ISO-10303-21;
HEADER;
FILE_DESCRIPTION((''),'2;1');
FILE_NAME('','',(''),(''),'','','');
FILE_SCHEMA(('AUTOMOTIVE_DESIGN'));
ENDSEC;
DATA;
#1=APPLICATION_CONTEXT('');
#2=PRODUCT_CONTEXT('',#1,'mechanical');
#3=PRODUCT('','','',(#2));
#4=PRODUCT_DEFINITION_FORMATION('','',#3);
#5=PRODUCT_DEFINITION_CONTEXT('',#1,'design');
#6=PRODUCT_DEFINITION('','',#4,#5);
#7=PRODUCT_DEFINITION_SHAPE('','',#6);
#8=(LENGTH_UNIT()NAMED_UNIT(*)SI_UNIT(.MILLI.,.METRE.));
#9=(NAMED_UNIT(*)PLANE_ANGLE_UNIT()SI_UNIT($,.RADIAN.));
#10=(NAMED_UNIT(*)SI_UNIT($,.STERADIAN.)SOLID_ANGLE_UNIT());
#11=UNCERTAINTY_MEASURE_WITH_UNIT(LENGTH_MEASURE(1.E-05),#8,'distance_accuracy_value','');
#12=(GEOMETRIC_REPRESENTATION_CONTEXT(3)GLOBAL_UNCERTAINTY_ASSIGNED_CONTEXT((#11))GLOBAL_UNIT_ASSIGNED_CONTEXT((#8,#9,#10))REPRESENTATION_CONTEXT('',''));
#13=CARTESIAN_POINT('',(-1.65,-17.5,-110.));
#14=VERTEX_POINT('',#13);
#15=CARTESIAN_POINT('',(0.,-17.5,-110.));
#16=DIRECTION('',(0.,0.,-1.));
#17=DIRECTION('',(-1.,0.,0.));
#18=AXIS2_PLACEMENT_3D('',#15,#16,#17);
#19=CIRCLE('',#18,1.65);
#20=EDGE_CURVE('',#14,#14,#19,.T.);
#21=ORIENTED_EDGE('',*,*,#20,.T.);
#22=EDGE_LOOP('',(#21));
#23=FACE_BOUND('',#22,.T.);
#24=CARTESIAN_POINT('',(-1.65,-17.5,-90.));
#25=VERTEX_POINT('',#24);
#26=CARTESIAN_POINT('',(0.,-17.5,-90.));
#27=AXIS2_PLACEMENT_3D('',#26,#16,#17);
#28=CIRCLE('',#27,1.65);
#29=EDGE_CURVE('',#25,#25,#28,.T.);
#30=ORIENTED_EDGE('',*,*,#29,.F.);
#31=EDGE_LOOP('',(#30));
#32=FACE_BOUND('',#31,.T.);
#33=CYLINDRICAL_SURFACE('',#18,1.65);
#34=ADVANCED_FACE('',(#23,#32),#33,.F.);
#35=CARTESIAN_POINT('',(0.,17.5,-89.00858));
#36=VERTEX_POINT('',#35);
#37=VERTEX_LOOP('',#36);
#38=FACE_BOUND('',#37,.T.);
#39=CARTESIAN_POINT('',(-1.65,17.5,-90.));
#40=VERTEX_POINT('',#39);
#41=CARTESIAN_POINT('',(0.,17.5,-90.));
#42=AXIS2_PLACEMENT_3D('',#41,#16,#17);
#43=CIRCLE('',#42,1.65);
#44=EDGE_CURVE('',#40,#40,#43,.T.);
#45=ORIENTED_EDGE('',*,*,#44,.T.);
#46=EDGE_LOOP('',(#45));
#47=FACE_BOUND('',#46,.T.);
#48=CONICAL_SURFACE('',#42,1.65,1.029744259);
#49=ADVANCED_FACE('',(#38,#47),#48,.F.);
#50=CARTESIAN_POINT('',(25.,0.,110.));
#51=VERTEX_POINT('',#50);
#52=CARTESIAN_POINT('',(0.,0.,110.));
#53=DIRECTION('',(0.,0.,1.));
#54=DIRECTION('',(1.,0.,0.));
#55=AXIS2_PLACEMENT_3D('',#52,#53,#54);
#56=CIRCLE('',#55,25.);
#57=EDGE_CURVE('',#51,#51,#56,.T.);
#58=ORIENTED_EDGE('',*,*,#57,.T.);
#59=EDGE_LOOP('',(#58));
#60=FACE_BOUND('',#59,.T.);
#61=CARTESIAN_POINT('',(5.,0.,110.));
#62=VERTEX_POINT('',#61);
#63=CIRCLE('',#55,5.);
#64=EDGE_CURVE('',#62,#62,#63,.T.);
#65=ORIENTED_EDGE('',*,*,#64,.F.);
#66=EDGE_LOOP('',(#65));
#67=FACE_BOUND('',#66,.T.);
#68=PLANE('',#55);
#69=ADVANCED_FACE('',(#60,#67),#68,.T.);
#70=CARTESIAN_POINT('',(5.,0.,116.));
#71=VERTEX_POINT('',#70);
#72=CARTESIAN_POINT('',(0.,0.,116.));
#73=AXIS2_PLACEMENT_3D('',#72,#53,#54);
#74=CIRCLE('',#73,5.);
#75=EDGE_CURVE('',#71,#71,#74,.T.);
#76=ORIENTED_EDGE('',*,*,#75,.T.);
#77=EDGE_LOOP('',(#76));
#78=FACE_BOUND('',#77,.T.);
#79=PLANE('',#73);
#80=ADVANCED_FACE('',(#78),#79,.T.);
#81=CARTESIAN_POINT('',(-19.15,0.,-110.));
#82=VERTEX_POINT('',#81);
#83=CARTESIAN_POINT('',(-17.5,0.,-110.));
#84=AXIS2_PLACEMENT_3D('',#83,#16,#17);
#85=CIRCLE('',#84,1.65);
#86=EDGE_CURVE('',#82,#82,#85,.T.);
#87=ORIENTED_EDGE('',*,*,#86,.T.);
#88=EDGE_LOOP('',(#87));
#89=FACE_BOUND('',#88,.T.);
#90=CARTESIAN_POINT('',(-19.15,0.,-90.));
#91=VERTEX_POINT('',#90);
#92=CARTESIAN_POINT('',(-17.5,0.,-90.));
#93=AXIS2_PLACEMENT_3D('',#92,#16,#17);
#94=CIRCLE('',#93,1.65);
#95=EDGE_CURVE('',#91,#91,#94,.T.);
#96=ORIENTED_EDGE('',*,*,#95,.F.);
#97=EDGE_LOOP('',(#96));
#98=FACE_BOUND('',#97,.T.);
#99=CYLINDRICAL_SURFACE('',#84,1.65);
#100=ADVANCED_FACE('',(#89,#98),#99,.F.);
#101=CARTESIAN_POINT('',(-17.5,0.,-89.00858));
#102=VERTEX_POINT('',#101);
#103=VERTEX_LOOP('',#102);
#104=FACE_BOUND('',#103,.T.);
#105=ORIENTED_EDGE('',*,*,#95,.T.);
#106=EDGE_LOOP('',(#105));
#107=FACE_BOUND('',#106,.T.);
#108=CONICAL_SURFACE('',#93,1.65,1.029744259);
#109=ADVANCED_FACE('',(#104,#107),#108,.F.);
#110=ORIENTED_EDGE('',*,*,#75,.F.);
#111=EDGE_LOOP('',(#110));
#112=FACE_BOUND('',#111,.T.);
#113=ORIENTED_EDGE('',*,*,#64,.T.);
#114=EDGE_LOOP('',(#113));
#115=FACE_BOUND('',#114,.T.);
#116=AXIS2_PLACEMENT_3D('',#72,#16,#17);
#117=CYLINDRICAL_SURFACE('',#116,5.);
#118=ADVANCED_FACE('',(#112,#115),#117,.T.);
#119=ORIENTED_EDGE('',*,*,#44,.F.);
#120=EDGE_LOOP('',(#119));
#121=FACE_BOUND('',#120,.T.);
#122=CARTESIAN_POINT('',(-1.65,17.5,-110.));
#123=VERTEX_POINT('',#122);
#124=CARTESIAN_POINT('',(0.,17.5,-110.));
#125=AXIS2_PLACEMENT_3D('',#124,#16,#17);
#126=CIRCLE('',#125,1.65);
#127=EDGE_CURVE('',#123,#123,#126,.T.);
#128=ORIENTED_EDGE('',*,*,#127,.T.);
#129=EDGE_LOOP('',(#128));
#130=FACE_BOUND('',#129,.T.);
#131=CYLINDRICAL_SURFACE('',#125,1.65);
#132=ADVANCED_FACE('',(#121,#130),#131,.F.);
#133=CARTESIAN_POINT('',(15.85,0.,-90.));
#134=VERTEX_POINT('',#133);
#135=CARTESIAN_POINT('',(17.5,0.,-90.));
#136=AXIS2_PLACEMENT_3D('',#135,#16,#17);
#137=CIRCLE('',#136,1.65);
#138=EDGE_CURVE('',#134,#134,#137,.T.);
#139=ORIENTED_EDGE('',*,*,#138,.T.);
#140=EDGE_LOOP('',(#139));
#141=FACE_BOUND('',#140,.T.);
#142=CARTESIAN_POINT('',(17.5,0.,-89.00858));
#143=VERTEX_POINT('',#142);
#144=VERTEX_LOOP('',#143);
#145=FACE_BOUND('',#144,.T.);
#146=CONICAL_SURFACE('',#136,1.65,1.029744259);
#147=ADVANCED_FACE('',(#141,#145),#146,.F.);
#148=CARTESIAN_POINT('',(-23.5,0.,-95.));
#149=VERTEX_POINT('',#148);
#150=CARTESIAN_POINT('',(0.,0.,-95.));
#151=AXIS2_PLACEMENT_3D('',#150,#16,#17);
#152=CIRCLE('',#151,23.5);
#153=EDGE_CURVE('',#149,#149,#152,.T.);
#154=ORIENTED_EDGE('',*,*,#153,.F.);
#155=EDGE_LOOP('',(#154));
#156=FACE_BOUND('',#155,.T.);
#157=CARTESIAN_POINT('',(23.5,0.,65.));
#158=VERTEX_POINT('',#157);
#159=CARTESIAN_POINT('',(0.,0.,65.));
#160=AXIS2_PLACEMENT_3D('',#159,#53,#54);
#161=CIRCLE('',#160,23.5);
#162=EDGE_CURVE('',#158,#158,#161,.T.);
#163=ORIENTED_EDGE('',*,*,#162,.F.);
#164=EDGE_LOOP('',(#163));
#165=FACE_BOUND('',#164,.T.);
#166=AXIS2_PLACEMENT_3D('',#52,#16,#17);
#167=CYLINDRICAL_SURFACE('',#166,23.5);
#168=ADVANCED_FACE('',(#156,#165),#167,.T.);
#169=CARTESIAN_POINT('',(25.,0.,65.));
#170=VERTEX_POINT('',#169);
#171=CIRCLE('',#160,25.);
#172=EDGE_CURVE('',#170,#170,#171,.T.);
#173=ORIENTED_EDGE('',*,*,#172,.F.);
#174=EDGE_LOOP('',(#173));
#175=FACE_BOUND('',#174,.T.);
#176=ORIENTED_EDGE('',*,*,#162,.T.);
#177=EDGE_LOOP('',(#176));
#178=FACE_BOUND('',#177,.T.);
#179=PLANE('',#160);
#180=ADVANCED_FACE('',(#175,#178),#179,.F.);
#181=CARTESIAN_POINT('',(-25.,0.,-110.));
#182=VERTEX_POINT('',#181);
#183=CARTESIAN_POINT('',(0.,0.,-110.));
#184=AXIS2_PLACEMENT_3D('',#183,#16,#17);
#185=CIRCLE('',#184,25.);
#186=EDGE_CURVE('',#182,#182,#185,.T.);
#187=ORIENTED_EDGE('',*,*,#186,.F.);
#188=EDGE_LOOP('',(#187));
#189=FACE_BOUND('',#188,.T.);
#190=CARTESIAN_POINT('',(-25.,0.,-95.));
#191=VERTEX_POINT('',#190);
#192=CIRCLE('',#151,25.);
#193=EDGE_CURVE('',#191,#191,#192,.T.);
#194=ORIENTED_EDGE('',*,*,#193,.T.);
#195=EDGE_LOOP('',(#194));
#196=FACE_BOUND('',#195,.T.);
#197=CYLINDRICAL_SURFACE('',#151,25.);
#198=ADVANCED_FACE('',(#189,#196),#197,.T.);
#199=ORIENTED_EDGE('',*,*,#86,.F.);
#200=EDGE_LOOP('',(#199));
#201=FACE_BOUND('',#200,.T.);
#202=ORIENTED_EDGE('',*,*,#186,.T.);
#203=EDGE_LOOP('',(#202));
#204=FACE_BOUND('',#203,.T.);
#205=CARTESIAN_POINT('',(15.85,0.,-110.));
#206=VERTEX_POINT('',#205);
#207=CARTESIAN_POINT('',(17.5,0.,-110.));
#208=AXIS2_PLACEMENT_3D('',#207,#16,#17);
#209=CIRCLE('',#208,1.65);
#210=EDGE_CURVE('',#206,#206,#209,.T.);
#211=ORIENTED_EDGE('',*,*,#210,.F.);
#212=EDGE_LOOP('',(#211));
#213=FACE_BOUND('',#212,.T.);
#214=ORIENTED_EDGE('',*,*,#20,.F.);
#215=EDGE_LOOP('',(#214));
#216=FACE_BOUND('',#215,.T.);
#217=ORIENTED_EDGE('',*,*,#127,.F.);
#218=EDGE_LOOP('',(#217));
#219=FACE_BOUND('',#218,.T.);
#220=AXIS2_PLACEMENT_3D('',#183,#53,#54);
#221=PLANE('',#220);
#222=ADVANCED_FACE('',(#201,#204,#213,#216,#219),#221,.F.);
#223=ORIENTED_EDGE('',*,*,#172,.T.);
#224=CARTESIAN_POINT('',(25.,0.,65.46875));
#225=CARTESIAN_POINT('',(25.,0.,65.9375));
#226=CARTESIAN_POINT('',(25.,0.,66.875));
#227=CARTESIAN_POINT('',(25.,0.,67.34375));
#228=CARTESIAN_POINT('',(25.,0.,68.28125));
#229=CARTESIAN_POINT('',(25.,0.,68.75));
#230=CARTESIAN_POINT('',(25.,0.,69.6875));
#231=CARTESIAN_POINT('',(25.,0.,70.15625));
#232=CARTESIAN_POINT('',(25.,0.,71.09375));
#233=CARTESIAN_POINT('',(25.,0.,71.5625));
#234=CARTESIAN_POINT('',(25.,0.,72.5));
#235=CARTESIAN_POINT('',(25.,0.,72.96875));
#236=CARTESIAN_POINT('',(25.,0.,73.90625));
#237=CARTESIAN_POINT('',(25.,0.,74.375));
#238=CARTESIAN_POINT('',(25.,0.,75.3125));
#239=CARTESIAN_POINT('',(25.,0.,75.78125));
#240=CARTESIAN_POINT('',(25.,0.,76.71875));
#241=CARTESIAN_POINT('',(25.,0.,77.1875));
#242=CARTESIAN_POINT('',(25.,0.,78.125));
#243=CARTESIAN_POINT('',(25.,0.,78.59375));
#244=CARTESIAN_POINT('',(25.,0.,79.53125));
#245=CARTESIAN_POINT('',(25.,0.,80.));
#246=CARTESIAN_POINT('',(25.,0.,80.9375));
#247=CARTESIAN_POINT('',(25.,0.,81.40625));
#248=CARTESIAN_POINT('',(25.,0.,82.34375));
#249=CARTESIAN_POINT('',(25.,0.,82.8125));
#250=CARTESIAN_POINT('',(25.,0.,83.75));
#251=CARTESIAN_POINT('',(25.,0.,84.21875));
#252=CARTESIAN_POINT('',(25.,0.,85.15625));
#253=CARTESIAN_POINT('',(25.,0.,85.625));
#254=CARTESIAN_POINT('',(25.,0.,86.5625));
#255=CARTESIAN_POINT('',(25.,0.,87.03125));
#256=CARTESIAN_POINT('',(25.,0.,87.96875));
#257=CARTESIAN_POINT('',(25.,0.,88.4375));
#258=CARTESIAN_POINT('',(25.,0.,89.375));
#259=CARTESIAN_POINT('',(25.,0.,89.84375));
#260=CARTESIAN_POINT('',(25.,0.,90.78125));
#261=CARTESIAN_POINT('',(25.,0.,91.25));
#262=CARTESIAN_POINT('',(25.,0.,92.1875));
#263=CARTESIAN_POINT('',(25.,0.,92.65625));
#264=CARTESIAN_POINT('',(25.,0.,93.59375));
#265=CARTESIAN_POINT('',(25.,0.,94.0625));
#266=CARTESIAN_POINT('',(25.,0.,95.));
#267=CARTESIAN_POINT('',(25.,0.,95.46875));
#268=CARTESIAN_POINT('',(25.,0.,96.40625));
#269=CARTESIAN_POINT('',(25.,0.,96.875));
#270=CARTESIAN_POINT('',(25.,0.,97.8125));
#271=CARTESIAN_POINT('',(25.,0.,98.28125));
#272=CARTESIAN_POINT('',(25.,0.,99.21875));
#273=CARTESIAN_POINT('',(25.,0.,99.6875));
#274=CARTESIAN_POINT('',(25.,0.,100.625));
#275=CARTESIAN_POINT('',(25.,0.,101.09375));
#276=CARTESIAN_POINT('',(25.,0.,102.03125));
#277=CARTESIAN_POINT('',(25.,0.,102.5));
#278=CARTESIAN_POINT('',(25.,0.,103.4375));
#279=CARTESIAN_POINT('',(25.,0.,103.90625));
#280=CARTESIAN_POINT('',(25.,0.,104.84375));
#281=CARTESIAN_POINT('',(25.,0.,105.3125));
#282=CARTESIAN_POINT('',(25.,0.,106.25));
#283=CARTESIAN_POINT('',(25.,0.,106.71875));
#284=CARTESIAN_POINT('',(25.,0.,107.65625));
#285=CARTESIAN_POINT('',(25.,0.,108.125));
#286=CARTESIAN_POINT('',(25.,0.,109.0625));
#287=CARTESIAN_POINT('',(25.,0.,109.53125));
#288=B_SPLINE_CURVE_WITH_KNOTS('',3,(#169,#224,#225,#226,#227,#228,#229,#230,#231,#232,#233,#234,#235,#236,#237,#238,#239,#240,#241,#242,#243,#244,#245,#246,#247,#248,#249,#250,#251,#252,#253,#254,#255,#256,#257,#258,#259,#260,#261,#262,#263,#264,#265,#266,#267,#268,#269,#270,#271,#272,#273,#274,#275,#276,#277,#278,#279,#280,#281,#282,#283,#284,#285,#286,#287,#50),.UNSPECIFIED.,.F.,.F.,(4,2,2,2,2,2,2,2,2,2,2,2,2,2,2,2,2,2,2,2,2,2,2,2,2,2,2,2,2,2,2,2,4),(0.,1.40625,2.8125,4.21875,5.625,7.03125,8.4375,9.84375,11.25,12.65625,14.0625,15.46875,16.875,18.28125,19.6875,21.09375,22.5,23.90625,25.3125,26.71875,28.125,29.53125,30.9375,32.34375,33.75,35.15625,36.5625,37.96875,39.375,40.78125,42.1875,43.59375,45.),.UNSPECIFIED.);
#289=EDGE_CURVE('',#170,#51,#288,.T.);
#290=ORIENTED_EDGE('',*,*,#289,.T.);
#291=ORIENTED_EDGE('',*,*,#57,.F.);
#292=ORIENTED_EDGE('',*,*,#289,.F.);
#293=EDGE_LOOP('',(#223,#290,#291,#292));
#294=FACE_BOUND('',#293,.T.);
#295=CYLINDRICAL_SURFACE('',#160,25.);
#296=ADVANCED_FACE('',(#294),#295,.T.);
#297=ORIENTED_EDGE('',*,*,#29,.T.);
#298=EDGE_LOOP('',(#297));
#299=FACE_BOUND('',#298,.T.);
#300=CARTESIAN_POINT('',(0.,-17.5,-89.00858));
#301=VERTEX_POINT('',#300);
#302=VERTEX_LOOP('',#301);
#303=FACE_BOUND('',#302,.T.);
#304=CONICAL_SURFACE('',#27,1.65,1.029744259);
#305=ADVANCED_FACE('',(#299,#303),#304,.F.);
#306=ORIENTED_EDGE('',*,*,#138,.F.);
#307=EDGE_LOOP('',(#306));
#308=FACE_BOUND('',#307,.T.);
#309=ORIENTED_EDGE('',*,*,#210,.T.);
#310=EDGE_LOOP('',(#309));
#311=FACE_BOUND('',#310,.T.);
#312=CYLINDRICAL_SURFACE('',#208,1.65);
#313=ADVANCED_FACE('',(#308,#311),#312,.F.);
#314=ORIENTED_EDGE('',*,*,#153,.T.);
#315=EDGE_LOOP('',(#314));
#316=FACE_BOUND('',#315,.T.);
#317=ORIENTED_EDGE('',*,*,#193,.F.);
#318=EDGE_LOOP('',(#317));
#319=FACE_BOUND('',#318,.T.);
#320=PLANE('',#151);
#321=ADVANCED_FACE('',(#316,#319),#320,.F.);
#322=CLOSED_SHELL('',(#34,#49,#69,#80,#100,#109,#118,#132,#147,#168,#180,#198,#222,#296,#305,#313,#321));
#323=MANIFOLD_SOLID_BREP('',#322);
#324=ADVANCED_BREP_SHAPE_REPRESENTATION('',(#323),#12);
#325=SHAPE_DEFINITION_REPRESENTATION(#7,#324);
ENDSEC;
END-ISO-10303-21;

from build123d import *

# Parameters (mm, degrees)
SKETCH1_R                 = 23.5
BOSS_EXTRUDE1_DEPTH       = 110
SKETCH2_R                 = 5
BOSS_EXTRUDE2_DEPTH       = 6
SKETCH5_R                 = 25
BOSS_EXTRUDE5_DEPTH       = 45
BOSS_EXTRUDE6_START       = -15
SKETCH6_R                 = 25
BOSS_EXTRUDE6_DEPTH       = 15
M4X0_7_TAPPED_HOLE1_D     = 3.3
M4X0_7_TAPPED_HOLE1_DEPTH = 20
M4X0_7_TAPPED_HOLE1_TIP   = 0.991420021


with BuildPart() as part:
    # Sketch1 → Boss-Extrude1 (new, symmetric)
    with BuildSketch(Plane.XY):
        Circle(SKETCH1_R)
    extrude(amount=BOSS_EXTRUDE1_DEPTH, both=True)

    # Sketch2 → Boss-Extrude2 (add)
    with BuildSketch(Plane.XY.offset(110)):
        Circle(SKETCH2_R)
    extrude(amount=BOSS_EXTRUDE2_DEPTH)

    # Sketch5 → Boss-Extrude5 (add)
    with BuildSketch(Plane.XY.offset(110)):
        Circle(SKETCH5_R)
    extrude(amount=-BOSS_EXTRUDE5_DEPTH)

    # Sketch6 → Boss-Extrude6 (add)
    with BuildSketch(Plane(origin=(0, 0, -110), x_dir=(-1, 0, 0), z_dir=(0, 0, -1)).offset(BOSS_EXTRUDE6_START)):
        with Locations(Location((0, 0, 0), (0, 0, 180))):
            Circle(SKETCH6_R)
    extrude(amount=BOSS_EXTRUDE6_DEPTH)

    # M4x0.7 Tapped Hole1
    with Locations(Plane(origin=(0, 17.5, -110), x_dir=(-1, 0, 0), z_dir=(0, 0, -1))):
        with Locations((0, 0), (17.5, -17.5), (0, -35), (-17.5, -17.5)):
            Hole(M4X0_7_TAPPED_HOLE1_D / 2, depth=M4X0_7_TAPPED_HOLE1_DEPTH)
            with Locations((0, 0, -(M4X0_7_TAPPED_HOLE1_DEPTH + M4X0_7_TAPPED_HOLE1_TIP / 2))):  # 118° drill point
                Cone(0, M4X0_7_TAPPED_HOLE1_D / 2, M4X0_7_TAPPED_HOLE1_TIP, mode=Mode.SUBTRACT)


solid = part.part
